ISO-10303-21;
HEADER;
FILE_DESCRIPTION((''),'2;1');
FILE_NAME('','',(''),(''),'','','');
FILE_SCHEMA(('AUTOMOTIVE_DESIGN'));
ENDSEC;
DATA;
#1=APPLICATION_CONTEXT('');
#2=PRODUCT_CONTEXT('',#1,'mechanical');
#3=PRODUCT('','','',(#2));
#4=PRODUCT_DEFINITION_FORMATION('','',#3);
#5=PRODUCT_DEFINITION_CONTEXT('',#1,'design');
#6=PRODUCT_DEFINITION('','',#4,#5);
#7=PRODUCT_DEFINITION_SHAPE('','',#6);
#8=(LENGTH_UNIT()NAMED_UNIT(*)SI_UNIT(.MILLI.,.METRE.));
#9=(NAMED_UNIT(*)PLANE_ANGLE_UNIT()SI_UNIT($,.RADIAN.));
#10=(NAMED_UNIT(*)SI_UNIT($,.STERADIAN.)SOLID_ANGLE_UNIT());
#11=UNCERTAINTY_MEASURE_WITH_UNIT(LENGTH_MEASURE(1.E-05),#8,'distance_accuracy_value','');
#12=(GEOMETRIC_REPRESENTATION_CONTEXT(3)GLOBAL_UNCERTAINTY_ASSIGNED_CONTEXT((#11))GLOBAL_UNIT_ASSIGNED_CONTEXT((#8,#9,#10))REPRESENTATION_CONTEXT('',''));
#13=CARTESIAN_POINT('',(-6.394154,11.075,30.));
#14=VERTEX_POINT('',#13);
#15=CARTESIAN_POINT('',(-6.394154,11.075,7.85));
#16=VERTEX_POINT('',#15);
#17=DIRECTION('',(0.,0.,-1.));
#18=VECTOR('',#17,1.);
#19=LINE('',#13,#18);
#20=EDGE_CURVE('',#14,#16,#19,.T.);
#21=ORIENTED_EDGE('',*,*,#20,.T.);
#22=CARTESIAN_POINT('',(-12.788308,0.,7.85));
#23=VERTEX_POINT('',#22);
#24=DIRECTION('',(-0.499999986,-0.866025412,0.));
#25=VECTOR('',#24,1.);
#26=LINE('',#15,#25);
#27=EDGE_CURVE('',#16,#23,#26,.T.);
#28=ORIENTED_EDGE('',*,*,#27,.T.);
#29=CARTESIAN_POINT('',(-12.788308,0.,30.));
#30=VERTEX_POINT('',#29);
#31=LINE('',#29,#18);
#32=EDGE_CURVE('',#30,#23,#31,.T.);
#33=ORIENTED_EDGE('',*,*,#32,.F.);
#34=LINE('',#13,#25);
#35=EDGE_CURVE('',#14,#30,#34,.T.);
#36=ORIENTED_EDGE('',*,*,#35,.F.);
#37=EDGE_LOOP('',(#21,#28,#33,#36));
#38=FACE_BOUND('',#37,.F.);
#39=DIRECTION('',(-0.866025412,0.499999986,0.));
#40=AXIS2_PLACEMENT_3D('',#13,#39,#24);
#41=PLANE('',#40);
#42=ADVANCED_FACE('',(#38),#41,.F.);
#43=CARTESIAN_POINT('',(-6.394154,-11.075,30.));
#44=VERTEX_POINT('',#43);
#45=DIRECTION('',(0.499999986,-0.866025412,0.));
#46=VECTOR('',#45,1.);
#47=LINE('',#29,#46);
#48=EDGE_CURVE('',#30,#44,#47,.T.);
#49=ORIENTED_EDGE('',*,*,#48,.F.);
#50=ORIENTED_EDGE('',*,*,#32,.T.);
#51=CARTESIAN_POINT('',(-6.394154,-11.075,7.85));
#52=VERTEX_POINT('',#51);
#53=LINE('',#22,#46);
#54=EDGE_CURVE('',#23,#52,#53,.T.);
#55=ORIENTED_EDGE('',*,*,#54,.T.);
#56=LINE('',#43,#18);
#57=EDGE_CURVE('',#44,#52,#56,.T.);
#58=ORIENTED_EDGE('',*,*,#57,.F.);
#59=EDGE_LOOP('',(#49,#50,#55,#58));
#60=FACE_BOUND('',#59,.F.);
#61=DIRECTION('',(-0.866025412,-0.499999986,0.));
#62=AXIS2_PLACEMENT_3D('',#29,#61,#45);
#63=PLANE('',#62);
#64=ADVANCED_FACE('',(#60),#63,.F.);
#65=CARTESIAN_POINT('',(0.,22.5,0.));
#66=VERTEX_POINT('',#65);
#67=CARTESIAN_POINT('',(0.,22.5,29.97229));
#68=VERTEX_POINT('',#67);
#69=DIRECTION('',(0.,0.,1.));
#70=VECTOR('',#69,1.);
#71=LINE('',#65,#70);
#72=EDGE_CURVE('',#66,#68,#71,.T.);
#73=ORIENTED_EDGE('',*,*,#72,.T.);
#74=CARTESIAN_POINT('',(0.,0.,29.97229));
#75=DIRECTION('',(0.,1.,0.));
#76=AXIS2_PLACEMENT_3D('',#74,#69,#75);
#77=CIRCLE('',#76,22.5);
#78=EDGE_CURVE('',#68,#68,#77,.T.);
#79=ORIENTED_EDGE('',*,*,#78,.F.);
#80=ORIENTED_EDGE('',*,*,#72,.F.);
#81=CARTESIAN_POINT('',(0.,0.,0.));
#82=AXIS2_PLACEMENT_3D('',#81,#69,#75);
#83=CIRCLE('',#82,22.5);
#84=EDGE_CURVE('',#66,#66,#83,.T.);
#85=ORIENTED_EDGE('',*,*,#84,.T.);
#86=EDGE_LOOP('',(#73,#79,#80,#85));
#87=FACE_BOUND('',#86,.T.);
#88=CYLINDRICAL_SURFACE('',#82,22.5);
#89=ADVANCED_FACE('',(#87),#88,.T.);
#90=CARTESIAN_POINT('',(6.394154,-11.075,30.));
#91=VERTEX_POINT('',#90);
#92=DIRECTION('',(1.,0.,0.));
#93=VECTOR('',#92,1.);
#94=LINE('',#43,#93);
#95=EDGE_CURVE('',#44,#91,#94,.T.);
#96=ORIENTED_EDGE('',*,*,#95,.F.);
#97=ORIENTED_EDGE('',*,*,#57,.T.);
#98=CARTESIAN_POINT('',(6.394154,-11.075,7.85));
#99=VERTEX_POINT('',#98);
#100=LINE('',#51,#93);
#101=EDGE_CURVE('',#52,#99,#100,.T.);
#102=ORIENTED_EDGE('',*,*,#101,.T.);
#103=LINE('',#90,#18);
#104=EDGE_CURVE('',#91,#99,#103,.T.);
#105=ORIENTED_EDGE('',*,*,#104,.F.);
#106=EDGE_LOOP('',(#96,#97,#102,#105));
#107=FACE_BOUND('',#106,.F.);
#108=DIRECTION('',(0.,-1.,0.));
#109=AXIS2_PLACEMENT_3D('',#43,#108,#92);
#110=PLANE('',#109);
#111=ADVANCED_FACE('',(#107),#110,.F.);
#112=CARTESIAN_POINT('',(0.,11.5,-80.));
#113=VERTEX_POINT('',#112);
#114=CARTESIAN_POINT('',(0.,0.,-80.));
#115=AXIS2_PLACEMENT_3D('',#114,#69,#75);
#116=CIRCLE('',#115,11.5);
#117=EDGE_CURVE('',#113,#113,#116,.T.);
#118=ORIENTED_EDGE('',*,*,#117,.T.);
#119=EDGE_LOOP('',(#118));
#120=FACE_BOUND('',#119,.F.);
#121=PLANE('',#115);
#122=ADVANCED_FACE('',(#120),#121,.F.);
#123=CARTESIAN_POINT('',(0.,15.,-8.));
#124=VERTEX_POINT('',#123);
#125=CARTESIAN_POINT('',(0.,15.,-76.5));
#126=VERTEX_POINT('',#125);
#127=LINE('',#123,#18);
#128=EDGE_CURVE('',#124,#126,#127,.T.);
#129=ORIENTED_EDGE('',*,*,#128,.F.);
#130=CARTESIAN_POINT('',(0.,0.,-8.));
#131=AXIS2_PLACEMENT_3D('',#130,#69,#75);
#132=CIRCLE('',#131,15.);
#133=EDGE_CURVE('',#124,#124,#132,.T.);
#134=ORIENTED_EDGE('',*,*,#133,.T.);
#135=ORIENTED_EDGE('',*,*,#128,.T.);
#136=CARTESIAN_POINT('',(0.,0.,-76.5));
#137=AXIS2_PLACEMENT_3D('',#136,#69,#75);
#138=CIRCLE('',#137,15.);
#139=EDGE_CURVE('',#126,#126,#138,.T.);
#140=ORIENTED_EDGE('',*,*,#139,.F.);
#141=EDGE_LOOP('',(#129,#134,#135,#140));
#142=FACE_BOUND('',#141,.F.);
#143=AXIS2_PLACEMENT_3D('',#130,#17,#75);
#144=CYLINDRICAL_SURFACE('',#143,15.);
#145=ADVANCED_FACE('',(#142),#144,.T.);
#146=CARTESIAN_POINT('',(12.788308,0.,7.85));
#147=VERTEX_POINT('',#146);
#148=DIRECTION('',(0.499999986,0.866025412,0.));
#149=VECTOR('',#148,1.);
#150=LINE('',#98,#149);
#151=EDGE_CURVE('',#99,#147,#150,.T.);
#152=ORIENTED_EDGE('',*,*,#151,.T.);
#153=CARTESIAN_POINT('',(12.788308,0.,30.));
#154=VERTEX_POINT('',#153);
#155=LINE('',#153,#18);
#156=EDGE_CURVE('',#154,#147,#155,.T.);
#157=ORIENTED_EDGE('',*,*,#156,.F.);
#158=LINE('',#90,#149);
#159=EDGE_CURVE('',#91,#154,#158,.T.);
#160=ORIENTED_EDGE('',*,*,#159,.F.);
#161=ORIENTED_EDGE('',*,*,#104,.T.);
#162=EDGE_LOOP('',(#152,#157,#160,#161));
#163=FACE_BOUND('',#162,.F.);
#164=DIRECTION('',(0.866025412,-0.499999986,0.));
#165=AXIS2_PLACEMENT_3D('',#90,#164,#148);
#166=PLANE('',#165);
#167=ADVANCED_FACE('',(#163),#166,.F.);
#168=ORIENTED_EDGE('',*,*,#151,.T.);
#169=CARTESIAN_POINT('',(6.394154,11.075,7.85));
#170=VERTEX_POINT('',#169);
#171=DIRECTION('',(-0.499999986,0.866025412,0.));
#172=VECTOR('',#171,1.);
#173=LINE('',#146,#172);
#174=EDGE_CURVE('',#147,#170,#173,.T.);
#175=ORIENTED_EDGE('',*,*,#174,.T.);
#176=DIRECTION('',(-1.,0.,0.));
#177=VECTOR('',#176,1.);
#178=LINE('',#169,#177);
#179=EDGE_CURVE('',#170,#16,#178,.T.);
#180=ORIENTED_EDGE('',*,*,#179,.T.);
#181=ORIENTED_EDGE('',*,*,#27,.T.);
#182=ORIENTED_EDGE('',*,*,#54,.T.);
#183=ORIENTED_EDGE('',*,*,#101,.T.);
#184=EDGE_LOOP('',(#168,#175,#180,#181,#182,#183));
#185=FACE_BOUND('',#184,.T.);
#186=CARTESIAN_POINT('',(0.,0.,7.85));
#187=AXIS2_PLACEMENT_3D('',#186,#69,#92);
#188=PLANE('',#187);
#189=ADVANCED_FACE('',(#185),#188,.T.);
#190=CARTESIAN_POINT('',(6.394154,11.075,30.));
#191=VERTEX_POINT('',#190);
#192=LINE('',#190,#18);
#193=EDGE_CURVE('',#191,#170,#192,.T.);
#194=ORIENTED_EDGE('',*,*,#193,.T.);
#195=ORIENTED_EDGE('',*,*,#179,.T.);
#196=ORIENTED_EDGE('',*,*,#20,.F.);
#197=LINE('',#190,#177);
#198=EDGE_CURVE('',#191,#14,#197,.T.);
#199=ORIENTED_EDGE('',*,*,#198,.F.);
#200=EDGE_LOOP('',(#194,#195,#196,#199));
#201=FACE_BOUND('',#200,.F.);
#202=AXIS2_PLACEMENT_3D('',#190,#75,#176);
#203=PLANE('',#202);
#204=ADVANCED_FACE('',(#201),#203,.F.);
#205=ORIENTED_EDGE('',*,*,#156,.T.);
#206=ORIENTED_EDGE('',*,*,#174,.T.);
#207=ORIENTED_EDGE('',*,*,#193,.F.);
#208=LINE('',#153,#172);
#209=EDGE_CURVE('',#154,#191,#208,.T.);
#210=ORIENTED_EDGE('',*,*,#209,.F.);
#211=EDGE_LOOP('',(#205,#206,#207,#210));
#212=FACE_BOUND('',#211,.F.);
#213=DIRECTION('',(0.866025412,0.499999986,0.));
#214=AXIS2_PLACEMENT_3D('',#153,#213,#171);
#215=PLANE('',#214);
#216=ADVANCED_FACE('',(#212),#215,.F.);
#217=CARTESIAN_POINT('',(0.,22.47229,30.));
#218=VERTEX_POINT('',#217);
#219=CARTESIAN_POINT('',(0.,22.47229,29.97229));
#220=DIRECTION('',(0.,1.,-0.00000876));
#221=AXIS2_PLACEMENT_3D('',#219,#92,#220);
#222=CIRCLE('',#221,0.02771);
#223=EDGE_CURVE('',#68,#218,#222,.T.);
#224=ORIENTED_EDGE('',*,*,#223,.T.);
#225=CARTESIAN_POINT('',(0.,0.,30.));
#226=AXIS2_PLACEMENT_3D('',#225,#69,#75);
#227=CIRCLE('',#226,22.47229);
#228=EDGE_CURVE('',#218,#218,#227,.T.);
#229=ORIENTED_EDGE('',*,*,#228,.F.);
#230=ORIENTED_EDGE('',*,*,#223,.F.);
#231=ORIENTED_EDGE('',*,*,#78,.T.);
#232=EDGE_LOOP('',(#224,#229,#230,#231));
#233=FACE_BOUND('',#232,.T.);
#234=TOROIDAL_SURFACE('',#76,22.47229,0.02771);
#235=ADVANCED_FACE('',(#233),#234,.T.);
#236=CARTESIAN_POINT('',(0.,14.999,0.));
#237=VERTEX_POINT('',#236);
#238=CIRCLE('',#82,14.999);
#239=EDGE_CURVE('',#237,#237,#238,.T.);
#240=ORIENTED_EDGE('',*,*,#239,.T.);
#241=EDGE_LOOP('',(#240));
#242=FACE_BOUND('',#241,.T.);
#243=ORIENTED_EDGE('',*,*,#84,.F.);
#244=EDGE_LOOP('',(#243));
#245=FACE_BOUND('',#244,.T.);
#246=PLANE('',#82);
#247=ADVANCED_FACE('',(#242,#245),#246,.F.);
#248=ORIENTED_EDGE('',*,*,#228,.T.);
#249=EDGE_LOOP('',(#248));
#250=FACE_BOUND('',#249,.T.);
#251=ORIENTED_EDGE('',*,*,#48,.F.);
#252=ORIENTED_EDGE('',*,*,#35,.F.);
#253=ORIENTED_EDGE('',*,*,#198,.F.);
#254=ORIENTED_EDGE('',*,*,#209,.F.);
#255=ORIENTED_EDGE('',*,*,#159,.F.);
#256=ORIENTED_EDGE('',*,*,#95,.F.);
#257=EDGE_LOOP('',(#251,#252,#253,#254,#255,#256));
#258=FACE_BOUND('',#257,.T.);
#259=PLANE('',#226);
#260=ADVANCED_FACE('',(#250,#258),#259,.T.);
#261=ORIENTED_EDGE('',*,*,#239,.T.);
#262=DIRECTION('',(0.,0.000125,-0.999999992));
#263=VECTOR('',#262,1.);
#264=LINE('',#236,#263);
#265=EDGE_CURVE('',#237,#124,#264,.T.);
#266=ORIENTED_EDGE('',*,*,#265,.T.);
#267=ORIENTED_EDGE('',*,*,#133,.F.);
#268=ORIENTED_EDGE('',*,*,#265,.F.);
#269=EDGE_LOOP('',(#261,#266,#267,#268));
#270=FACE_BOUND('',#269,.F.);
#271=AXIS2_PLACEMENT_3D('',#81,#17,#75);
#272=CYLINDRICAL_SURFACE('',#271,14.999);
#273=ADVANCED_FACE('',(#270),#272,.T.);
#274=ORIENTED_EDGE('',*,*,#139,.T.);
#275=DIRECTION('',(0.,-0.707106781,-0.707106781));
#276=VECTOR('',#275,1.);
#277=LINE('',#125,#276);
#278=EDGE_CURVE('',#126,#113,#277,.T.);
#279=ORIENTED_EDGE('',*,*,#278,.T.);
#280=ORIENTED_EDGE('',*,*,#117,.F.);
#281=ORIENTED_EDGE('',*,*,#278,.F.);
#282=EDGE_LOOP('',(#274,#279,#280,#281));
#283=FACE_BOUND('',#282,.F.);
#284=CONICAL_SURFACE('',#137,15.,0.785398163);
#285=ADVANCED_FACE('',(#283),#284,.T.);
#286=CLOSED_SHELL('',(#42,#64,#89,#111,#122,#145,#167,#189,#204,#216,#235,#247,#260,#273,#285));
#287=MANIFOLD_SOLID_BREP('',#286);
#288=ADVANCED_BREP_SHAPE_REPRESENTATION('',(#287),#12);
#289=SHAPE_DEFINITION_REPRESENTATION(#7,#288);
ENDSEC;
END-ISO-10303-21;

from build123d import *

# Parameters (mm, degrees)
POCKET_DEPTH = 22.15


with BuildPart() as part:
    # Sketch → Revolve (revolve)
    with BuildSketch(Plane.YZ):
        with BuildLine():
            Line((14.999, 0), (22.5, 0))
            Line((22.5, 0), (22.5, 29.97229))
            ThreePointArc((22.5, 29.97229), (22.491884, 29.991884), (22.47229, 30))
            Line((22.47229, 30), (0, 30))
            Line((0, -80), (0, 30))
            Line((11.5, -80), (0, -80))
            Line((15, -76.5), (11.5, -80))
            Line((15, -8), (15, -76.5))
            Line((14.999, 0), (15, -8))
        make_face()
    revolve(axis=Axis((0, 0, 0), (0, 0, 1)))

    # Sketch001 → Pocket (cut)
    with BuildSketch(Plane.XY.offset(30)):
        Polygon((12.788308, 0), (6.394154, 11.075), (-6.394154, 11.075), (-12.788308, 0), (-6.394154, -11.075), (6.394154, -11.075), align=None)
    extrude(amount=-POCKET_DEPTH, mode=Mode.SUBTRACT)


solid = part.part
